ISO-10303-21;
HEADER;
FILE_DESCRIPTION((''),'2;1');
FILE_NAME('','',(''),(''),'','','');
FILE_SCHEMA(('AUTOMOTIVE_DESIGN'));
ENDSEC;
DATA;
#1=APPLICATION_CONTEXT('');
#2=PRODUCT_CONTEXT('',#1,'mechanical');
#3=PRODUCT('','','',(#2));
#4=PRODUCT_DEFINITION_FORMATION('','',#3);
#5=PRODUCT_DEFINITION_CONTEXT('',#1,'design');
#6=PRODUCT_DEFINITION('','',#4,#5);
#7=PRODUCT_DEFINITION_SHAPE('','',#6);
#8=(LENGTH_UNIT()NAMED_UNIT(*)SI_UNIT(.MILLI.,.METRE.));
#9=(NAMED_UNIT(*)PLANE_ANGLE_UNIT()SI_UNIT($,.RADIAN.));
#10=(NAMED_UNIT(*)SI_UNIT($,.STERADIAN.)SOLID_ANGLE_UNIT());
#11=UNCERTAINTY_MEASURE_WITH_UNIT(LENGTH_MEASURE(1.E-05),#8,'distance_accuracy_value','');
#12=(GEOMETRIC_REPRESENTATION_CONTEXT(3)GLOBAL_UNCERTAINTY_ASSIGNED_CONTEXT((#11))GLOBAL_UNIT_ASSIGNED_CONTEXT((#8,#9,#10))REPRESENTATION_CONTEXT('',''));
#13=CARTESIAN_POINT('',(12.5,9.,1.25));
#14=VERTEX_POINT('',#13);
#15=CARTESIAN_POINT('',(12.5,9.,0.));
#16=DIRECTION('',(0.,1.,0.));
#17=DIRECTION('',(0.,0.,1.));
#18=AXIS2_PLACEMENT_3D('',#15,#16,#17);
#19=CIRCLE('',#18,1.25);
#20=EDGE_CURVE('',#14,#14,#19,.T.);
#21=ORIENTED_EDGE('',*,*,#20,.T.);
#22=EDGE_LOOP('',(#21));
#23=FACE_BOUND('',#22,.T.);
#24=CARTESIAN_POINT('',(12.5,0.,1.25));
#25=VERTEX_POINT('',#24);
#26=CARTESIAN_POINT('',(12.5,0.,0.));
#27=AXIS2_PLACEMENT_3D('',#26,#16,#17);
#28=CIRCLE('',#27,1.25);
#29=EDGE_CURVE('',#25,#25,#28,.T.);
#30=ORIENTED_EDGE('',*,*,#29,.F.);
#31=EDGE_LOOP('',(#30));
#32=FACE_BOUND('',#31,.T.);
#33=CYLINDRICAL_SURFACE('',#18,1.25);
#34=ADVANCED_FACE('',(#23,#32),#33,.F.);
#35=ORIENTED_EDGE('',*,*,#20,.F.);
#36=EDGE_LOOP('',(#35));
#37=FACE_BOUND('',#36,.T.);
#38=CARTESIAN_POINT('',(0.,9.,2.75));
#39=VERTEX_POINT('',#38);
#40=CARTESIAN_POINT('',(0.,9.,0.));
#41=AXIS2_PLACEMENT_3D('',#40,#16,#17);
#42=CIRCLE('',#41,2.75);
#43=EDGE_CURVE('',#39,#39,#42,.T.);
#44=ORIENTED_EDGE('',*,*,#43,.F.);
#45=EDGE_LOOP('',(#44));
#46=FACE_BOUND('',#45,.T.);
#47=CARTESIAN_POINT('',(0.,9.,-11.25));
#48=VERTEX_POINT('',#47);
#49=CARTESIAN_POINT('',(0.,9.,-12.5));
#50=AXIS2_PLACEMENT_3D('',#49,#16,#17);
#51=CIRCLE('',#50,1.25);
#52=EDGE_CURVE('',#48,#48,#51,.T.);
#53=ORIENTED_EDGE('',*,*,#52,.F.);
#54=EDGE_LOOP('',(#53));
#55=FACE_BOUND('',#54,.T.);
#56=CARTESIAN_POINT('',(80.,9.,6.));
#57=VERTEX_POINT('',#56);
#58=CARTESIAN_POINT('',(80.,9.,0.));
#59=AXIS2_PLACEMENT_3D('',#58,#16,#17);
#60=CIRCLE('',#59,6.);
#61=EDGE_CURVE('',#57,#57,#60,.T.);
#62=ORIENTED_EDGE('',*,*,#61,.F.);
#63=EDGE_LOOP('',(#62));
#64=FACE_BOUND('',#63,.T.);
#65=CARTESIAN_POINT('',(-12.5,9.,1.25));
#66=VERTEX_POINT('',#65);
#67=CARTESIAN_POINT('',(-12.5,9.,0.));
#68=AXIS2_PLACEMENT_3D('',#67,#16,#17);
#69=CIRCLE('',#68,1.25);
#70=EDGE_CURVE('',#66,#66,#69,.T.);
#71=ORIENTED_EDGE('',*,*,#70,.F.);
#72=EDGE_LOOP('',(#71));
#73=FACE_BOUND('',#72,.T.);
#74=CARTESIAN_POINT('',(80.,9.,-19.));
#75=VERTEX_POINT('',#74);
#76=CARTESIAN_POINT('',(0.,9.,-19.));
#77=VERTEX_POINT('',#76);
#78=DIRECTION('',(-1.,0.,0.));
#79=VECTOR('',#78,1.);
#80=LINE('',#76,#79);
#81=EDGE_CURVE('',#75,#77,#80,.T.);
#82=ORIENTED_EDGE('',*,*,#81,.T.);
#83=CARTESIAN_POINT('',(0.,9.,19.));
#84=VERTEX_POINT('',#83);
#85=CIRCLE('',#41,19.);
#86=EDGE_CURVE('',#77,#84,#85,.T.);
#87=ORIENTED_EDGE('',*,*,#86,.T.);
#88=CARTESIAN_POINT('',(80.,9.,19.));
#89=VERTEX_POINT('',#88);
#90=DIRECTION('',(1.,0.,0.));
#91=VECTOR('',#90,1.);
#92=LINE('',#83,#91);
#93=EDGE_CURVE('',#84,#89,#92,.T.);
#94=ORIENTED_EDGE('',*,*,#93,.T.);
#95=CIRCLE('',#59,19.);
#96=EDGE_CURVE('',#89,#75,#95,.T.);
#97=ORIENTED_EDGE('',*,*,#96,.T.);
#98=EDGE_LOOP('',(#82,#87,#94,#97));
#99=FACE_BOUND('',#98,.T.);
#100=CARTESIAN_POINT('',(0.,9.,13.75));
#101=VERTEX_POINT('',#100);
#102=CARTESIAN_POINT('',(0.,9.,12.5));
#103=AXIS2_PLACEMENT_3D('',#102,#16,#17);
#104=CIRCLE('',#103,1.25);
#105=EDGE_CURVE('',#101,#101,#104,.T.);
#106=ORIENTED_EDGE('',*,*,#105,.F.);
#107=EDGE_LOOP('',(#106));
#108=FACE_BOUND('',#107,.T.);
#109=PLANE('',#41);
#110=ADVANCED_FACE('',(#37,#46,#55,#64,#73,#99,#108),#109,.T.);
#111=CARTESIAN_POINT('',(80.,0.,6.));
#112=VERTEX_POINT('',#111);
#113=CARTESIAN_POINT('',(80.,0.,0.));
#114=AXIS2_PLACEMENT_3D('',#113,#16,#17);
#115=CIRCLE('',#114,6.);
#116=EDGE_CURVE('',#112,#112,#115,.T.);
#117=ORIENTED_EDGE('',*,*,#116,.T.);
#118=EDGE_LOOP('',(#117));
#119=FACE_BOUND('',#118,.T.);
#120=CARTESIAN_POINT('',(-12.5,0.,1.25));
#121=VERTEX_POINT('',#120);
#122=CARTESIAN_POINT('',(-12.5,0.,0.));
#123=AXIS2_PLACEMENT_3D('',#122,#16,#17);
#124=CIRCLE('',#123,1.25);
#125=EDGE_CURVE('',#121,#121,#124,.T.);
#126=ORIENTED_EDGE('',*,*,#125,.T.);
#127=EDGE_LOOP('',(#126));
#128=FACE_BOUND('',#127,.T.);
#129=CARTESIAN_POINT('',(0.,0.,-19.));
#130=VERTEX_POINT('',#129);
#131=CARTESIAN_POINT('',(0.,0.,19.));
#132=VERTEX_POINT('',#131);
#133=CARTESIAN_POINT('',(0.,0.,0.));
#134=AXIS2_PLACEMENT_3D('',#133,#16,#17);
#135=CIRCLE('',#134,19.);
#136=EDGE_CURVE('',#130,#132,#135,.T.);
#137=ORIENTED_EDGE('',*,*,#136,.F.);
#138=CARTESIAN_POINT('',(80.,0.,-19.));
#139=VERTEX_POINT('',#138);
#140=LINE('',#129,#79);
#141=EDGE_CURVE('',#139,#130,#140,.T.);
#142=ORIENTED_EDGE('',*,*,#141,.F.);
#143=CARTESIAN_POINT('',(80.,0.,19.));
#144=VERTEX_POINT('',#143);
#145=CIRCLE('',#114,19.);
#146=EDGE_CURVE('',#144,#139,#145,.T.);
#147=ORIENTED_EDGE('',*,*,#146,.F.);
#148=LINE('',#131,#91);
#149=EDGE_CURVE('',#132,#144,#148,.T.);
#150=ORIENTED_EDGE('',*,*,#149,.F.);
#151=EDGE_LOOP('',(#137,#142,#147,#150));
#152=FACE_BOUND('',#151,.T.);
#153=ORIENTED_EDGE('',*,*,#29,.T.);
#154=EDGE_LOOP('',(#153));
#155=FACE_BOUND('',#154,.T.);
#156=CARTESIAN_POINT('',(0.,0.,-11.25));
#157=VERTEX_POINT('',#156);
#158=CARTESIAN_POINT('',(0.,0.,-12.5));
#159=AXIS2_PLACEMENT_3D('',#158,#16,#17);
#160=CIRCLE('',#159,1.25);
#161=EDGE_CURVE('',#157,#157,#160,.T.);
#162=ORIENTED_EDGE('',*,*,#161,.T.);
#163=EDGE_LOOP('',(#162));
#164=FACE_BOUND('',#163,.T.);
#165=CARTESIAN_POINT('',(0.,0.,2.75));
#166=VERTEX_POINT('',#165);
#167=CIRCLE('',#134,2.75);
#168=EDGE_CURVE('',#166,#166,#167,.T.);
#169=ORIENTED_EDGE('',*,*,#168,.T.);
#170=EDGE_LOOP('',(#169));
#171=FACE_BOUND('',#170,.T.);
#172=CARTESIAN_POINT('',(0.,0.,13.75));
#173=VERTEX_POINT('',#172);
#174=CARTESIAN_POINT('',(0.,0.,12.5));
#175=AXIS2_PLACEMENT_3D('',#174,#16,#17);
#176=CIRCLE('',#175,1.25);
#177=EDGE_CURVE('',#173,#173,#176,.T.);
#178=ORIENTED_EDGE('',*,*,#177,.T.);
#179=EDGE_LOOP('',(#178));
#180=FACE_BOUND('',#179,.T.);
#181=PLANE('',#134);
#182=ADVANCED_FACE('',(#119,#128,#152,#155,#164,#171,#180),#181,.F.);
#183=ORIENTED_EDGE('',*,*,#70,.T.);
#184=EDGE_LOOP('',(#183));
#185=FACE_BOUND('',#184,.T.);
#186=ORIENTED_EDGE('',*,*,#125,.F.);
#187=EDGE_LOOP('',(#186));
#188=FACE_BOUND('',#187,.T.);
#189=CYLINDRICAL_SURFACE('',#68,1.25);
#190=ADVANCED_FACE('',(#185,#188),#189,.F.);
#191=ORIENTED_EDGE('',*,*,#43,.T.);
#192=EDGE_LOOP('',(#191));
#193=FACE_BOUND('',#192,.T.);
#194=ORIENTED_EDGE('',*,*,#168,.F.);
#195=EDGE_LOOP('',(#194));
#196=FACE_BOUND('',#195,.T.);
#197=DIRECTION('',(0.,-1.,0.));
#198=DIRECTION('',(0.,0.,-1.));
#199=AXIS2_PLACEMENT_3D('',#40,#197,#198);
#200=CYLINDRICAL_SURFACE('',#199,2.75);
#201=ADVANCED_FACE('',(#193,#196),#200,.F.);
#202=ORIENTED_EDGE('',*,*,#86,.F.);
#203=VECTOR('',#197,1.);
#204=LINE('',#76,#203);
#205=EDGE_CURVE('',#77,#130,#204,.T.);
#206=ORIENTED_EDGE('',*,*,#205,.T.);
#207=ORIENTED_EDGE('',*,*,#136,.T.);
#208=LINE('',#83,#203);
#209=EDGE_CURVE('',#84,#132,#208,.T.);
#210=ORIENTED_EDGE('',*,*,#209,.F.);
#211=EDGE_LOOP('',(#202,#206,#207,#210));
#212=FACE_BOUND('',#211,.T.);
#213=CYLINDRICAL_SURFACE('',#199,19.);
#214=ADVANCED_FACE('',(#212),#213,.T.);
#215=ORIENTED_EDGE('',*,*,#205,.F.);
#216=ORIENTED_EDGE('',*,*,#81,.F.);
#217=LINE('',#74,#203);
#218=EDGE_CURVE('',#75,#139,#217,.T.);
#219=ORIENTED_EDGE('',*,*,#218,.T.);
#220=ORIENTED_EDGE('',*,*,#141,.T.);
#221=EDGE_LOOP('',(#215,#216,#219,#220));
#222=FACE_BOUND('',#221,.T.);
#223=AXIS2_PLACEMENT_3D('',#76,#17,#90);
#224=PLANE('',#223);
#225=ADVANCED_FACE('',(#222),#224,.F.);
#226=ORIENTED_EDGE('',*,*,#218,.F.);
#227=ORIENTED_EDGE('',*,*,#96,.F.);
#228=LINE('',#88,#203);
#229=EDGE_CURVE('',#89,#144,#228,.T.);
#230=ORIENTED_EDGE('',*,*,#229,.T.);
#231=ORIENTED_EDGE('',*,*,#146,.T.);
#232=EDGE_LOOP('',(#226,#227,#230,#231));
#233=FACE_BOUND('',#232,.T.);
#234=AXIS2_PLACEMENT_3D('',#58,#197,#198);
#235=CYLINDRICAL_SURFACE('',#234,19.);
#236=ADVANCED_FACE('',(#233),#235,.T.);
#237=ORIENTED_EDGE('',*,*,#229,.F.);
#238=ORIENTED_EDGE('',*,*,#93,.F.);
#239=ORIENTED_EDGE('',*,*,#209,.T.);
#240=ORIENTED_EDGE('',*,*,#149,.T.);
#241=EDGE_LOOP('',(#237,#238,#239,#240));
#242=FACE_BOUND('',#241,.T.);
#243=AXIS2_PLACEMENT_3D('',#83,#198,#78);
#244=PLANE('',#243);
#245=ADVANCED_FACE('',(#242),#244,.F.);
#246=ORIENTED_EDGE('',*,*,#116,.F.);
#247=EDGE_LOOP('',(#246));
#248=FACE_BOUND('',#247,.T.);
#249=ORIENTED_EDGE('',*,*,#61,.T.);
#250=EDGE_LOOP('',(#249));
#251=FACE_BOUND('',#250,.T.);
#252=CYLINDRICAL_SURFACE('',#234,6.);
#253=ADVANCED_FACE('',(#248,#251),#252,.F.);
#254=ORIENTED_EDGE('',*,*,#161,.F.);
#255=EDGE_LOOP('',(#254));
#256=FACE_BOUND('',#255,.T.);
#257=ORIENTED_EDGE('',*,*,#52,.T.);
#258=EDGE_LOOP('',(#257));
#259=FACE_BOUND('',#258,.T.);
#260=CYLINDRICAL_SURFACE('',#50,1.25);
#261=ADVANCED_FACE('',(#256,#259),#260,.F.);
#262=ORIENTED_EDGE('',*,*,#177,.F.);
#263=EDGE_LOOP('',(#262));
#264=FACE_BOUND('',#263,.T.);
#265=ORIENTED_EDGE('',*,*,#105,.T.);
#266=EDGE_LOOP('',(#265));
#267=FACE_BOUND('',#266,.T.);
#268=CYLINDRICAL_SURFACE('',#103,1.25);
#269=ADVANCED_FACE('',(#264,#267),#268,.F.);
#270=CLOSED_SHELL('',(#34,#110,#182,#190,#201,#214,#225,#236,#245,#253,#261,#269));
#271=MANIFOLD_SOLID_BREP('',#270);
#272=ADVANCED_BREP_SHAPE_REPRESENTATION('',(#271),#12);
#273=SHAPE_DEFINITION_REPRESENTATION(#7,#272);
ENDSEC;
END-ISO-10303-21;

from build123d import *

# Parameters (mm, degrees)
SKETCH_1_R         = 2.75
SKETCH_1_R_2       = 6
EXTRUDE_1_DEPTH    = 9
HOLE_WIZARD_M3_1_D = 2.5


with BuildPart() as part:
    # 草图1 → 凸台-拉伸1 (new body)
    with BuildSketch(Plane(origin=(0, 0, 0), x_dir=(1, 0, 0), z_dir=(0, 1, 0))):
        with BuildLine():
            Line((0, 19), (80, 19))
            ThreePointArc((80, 19), (99, 0), (80, -19))
            Line((80, -19), (0, -19))
            ThreePointArc((0, -19), (-19, 0), (0, 19))
        make_face()
        with Locations(Location((0, 0, 0), (0, 0, 270))):
            Circle(SKETCH_1_R, mode=Mode.SUBTRACT)
        with Locations(Location((80, 0, 0), (0, 0, 270))):
            Circle(SKETCH_1_R_2, mode=Mode.SUBTRACT)
    extrude(amount=EXTRUDE_1_DEPTH)

    # M3 螺纹孔的螺纹孔钻头1 (through all)
    with Locations(Plane(origin=(0, 9, -12.5), x_dir=(0, 0, 1), z_dir=(0, 1, 0))):
        with Locations((0, 0), (12.5, 12.5), (25, 0), (12.5, -12.5)):
            Hole(HOLE_WIZARD_M3_1_D / 2)


solid = part.part
